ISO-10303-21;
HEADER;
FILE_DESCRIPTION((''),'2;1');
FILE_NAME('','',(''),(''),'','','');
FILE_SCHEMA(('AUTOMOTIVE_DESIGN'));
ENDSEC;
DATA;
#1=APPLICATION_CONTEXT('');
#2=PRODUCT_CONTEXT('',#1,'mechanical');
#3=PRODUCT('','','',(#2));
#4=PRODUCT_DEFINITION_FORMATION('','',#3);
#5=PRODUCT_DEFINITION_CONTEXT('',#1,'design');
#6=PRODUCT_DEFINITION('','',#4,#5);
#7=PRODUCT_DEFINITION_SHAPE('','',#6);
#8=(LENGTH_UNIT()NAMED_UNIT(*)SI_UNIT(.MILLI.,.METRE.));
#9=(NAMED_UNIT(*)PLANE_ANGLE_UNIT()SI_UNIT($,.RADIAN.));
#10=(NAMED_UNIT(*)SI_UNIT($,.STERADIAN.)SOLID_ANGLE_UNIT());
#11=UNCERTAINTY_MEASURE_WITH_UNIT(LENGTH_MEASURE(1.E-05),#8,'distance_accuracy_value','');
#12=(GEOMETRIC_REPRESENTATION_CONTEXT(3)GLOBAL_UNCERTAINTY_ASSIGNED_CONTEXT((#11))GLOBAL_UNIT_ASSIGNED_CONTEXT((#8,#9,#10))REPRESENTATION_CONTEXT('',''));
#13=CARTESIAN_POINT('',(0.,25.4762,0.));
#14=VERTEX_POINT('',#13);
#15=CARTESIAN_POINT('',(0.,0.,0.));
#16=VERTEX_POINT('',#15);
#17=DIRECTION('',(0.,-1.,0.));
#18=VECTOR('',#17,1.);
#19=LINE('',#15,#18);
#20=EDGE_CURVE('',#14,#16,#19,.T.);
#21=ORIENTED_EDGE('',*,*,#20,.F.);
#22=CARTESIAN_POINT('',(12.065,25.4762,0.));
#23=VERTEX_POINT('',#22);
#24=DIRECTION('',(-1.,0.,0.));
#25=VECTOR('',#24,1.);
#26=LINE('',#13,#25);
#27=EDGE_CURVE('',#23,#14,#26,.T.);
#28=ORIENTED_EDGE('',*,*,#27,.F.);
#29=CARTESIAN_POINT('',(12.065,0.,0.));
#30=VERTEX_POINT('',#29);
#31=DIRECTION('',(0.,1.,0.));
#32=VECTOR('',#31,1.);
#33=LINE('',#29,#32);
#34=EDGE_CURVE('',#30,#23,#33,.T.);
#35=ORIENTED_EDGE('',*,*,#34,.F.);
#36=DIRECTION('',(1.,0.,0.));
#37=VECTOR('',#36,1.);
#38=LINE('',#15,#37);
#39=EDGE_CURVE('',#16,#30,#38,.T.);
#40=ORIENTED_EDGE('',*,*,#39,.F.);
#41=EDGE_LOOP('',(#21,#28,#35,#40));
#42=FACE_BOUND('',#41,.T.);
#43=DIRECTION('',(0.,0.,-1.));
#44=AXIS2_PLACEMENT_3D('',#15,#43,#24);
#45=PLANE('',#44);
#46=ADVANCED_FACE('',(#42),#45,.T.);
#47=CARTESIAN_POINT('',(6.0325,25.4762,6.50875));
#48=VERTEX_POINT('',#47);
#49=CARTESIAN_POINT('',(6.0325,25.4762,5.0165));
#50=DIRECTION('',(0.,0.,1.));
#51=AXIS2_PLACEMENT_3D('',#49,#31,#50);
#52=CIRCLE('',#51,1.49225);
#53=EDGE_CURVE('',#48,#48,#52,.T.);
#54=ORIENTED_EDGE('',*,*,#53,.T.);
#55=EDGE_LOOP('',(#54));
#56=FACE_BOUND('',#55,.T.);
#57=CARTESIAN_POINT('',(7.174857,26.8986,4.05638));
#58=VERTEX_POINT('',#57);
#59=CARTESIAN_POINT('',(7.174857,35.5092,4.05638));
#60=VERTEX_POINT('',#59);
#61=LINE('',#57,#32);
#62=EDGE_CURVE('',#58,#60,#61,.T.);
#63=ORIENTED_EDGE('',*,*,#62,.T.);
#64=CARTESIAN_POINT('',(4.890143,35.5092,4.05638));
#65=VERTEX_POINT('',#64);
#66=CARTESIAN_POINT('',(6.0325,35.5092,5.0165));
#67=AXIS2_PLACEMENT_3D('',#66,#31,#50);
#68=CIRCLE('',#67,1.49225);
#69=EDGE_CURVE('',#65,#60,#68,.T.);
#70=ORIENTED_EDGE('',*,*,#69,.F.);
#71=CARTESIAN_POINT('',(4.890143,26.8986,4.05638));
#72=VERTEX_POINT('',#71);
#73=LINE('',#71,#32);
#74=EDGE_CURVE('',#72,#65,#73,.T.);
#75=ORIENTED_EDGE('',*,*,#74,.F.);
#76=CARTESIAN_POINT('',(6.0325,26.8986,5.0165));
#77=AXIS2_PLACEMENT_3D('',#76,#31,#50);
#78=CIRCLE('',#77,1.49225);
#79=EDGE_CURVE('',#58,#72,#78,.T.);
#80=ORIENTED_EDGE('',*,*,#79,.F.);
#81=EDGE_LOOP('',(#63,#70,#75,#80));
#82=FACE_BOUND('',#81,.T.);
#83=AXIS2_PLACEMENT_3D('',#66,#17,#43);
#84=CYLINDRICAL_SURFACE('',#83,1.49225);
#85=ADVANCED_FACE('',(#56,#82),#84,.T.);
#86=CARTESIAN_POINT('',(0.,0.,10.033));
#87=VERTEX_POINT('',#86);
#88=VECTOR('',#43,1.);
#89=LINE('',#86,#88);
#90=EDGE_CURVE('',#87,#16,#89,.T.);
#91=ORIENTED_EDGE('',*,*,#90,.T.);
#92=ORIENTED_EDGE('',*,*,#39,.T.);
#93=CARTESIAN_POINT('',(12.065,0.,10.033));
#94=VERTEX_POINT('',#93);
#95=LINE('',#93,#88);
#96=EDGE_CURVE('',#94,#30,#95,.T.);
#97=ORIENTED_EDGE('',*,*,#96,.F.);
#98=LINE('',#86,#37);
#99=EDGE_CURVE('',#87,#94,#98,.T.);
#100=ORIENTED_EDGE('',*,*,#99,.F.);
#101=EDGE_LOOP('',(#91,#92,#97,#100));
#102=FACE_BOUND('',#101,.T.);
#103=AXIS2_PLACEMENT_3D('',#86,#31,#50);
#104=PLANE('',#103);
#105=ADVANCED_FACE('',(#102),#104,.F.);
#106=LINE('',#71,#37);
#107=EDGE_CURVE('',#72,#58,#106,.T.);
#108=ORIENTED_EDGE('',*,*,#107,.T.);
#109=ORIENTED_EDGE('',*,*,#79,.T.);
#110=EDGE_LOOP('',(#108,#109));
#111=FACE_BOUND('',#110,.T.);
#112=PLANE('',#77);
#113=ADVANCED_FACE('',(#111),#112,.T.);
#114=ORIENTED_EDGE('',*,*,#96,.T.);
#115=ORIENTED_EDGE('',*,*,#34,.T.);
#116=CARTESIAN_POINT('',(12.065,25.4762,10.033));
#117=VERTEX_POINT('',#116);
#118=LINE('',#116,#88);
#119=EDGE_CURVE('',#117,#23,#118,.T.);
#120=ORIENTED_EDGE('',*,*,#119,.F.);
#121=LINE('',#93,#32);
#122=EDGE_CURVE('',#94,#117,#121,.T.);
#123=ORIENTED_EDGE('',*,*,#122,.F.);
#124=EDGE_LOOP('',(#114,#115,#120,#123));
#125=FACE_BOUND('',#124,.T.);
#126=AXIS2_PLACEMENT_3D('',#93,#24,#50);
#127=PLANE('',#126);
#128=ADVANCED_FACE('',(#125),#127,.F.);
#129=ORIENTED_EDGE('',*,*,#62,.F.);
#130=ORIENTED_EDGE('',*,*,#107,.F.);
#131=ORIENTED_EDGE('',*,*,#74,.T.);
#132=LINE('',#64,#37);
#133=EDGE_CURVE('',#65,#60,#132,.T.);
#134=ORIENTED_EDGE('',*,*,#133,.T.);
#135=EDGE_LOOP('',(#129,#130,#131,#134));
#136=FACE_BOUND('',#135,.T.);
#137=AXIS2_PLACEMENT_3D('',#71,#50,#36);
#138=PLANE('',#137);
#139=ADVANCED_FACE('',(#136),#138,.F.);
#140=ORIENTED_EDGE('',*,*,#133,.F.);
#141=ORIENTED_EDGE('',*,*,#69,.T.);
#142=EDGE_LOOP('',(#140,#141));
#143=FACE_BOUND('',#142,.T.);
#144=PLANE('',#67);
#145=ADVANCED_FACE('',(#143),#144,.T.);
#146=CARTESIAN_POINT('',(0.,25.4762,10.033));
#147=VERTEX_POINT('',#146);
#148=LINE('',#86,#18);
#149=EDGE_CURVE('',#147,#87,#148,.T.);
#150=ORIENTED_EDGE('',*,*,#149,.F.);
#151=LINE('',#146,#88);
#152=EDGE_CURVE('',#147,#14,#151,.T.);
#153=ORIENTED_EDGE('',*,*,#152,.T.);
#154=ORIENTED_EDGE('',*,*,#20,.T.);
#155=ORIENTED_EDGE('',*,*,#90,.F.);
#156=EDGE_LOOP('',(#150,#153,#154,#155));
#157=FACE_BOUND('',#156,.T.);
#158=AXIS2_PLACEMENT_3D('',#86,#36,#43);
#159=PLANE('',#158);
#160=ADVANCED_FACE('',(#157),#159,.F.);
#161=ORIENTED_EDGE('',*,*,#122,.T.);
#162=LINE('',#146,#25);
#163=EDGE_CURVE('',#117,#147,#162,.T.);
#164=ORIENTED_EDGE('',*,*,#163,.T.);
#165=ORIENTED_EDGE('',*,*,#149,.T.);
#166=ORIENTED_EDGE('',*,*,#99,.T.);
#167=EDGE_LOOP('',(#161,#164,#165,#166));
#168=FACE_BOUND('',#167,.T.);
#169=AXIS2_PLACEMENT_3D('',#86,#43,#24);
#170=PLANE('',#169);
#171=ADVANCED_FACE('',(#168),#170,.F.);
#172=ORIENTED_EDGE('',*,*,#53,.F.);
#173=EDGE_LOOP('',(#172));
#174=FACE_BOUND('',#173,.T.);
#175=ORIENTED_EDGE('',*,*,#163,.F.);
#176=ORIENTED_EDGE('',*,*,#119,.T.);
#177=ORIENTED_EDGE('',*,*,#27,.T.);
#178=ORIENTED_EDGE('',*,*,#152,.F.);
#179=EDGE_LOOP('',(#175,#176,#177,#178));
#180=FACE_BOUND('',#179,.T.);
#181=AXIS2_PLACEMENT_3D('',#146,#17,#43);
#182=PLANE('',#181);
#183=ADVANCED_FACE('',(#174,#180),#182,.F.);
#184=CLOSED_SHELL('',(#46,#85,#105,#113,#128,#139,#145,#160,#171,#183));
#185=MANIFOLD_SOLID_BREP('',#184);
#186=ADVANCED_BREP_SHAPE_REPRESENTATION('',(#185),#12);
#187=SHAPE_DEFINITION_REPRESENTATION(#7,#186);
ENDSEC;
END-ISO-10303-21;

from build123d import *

# Parameters (mm, degrees)
SKETCH1_W           = 12.065
SKETCH1_H           = 25.4762
BOSS_EXTRUDE1_DEPTH = 10.033
SKETCH2_R           = 1.49225
BOSS_EXTRUDE2_DEPTH = 10.033
CUT_EXTRUDE1_DEPTH  = 8.6106


with BuildPart() as part:
    # Sketch1 → Boss-Extrude1 (new body)
    with BuildSketch(Plane.XY):
        with Locations((6.0325, 12.7381)):
            Rectangle(SKETCH1_W, SKETCH1_H)
    extrude(amount=BOSS_EXTRUDE1_DEPTH)

    # Sketch2 → Boss-Extrude2 (add)
    with BuildSketch(Plane(origin=(0, 25.4762, 0), x_dir=(1, 0, 0), z_dir=(0, 1, 0))):
        with Locations((6.0325, -5.0165)):
            Circle(SKETCH2_R)
    extrude(amount=BOSS_EXTRUDE2_DEPTH)

    # Sketch3 → Cut-Extrude1 (cut)
    with BuildSketch(Plane(origin=(0, 35.5092, 0), x_dir=(1, 0, 0), z_dir=(0, 1, 0))):
        with BuildLine():
            Line((4.890142942, -4.05638), (7.174857058, -4.05638))
            ThreePointArc((7.174857058, -4.05638), (6.0325, -3.52425), (4.890142942, -4.05638))
        make_face()
    extrude(amount=-CUT_EXTRUDE1_DEPTH, mode=Mode.SUBTRACT)


solid = part.part
